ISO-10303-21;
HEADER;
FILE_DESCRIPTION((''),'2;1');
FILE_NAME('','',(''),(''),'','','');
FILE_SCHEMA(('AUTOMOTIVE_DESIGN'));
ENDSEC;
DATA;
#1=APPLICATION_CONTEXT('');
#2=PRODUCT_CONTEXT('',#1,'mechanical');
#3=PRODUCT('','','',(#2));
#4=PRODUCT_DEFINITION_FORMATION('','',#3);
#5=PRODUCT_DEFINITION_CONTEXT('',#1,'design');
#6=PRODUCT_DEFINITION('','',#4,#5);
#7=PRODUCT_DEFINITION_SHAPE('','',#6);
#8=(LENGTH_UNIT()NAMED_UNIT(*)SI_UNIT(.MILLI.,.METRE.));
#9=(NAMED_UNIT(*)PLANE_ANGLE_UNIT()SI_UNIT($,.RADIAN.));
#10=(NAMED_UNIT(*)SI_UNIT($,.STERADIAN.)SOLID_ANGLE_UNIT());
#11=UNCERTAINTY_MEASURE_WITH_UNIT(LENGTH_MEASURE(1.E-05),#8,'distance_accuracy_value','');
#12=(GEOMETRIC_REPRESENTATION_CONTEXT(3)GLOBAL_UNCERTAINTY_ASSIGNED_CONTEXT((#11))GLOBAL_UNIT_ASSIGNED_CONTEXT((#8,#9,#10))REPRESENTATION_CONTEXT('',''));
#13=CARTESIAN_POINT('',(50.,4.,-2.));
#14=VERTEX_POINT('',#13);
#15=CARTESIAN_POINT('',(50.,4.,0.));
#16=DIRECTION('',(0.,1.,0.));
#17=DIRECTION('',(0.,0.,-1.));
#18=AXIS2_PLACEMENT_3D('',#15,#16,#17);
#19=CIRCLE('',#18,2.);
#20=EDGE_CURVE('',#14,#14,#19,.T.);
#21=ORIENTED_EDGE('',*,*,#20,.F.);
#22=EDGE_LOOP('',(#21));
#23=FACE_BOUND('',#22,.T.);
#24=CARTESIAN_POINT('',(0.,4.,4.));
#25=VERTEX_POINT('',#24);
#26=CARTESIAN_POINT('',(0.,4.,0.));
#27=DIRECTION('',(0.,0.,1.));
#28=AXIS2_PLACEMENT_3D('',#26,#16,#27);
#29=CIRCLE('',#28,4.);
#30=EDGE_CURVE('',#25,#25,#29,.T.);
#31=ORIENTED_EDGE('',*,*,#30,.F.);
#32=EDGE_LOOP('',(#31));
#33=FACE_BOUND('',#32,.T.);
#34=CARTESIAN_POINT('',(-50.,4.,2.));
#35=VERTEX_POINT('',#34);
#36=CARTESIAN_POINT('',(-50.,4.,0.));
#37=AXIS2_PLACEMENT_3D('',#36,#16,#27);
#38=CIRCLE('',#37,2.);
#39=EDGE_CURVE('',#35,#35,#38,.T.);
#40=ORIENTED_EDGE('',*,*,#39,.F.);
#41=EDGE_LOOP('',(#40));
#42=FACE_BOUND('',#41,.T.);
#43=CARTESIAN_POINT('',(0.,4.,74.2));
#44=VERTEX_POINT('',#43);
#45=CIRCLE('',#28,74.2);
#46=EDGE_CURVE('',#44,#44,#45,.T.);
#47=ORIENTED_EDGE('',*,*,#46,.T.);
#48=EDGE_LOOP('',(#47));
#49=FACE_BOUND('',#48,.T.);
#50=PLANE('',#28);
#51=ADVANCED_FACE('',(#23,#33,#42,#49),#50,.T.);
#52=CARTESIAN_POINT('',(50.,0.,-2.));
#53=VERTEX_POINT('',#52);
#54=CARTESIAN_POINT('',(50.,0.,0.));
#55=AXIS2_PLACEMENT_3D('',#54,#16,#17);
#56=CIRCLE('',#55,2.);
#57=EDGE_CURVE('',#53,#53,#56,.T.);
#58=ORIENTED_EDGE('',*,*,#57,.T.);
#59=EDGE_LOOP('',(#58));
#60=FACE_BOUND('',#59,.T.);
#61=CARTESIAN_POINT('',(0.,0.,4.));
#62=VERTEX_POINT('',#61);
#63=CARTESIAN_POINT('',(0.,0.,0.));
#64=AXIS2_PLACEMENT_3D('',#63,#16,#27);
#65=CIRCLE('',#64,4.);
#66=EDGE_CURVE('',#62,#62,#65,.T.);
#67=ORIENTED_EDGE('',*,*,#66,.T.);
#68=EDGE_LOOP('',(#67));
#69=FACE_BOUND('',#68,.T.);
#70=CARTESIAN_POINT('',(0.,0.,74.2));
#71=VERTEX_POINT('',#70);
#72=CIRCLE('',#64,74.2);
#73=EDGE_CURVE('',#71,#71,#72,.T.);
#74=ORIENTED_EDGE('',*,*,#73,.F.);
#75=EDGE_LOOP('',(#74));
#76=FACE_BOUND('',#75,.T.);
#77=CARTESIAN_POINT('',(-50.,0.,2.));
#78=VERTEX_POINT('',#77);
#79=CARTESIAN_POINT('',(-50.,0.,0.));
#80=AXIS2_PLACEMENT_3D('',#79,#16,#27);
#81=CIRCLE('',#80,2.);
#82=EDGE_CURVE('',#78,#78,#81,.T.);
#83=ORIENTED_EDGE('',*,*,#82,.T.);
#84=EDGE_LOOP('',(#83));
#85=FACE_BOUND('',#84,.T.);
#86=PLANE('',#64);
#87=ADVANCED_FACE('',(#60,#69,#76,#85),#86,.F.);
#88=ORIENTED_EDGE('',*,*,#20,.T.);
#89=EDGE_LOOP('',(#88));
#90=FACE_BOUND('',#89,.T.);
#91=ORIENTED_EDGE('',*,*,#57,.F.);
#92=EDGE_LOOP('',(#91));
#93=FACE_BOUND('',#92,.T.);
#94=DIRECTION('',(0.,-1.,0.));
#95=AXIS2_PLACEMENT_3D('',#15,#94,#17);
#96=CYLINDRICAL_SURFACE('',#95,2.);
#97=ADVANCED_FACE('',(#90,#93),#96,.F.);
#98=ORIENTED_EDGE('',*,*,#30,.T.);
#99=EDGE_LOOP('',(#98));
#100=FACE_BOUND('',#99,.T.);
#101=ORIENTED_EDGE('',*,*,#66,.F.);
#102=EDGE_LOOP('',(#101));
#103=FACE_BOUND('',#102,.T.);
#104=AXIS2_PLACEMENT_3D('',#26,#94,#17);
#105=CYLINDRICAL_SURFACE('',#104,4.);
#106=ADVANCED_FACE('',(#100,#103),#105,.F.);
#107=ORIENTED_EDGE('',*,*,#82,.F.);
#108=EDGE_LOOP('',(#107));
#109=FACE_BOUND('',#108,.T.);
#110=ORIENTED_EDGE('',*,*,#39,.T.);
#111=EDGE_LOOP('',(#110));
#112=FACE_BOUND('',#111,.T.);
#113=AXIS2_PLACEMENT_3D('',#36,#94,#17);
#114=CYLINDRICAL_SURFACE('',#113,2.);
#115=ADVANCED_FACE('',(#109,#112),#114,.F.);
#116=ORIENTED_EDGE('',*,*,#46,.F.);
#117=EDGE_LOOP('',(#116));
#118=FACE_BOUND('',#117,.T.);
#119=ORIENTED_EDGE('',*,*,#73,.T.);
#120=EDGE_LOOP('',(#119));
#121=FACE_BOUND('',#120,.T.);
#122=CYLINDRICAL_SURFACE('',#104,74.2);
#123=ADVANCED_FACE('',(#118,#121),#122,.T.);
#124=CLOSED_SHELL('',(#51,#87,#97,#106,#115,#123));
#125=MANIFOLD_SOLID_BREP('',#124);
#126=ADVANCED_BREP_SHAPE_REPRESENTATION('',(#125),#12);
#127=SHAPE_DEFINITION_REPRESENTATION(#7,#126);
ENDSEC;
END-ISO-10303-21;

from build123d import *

# Parameters (mm, degrees)
SKETCH1_R           = 74.2
SKETCH1_R_2         = 4
SKETCH1_R_3         = 2
BOSS_EXTRUDE1_DEPTH = 4


with BuildPart() as part:
    # Sketch1 → Boss-Extrude1 (new body)
    with BuildSketch(Plane(origin=(0, 0, 0), x_dir=(1, 0, 0), z_dir=(0, 1, 0))):
        with Locations(Location((0, 0, 0), (0, 0, 270))):
            Circle(SKETCH1_R)
        with Locations(Location((0, 0, 0), (0, 0, 270))):
            Circle(SKETCH1_R_2, mode=Mode.SUBTRACT)
        with Locations(Location((-50, 0, 0), (0, 0, 270))):
            Circle(SKETCH1_R_3, mode=Mode.SUBTRACT)
        with Locations(Location((50, 0, 0), (0, 0, 90))):
            Circle(SKETCH1_R_3, mode=Mode.SUBTRACT)
    extrude(amount=BOSS_EXTRUDE1_DEPTH)


solid = part.part
